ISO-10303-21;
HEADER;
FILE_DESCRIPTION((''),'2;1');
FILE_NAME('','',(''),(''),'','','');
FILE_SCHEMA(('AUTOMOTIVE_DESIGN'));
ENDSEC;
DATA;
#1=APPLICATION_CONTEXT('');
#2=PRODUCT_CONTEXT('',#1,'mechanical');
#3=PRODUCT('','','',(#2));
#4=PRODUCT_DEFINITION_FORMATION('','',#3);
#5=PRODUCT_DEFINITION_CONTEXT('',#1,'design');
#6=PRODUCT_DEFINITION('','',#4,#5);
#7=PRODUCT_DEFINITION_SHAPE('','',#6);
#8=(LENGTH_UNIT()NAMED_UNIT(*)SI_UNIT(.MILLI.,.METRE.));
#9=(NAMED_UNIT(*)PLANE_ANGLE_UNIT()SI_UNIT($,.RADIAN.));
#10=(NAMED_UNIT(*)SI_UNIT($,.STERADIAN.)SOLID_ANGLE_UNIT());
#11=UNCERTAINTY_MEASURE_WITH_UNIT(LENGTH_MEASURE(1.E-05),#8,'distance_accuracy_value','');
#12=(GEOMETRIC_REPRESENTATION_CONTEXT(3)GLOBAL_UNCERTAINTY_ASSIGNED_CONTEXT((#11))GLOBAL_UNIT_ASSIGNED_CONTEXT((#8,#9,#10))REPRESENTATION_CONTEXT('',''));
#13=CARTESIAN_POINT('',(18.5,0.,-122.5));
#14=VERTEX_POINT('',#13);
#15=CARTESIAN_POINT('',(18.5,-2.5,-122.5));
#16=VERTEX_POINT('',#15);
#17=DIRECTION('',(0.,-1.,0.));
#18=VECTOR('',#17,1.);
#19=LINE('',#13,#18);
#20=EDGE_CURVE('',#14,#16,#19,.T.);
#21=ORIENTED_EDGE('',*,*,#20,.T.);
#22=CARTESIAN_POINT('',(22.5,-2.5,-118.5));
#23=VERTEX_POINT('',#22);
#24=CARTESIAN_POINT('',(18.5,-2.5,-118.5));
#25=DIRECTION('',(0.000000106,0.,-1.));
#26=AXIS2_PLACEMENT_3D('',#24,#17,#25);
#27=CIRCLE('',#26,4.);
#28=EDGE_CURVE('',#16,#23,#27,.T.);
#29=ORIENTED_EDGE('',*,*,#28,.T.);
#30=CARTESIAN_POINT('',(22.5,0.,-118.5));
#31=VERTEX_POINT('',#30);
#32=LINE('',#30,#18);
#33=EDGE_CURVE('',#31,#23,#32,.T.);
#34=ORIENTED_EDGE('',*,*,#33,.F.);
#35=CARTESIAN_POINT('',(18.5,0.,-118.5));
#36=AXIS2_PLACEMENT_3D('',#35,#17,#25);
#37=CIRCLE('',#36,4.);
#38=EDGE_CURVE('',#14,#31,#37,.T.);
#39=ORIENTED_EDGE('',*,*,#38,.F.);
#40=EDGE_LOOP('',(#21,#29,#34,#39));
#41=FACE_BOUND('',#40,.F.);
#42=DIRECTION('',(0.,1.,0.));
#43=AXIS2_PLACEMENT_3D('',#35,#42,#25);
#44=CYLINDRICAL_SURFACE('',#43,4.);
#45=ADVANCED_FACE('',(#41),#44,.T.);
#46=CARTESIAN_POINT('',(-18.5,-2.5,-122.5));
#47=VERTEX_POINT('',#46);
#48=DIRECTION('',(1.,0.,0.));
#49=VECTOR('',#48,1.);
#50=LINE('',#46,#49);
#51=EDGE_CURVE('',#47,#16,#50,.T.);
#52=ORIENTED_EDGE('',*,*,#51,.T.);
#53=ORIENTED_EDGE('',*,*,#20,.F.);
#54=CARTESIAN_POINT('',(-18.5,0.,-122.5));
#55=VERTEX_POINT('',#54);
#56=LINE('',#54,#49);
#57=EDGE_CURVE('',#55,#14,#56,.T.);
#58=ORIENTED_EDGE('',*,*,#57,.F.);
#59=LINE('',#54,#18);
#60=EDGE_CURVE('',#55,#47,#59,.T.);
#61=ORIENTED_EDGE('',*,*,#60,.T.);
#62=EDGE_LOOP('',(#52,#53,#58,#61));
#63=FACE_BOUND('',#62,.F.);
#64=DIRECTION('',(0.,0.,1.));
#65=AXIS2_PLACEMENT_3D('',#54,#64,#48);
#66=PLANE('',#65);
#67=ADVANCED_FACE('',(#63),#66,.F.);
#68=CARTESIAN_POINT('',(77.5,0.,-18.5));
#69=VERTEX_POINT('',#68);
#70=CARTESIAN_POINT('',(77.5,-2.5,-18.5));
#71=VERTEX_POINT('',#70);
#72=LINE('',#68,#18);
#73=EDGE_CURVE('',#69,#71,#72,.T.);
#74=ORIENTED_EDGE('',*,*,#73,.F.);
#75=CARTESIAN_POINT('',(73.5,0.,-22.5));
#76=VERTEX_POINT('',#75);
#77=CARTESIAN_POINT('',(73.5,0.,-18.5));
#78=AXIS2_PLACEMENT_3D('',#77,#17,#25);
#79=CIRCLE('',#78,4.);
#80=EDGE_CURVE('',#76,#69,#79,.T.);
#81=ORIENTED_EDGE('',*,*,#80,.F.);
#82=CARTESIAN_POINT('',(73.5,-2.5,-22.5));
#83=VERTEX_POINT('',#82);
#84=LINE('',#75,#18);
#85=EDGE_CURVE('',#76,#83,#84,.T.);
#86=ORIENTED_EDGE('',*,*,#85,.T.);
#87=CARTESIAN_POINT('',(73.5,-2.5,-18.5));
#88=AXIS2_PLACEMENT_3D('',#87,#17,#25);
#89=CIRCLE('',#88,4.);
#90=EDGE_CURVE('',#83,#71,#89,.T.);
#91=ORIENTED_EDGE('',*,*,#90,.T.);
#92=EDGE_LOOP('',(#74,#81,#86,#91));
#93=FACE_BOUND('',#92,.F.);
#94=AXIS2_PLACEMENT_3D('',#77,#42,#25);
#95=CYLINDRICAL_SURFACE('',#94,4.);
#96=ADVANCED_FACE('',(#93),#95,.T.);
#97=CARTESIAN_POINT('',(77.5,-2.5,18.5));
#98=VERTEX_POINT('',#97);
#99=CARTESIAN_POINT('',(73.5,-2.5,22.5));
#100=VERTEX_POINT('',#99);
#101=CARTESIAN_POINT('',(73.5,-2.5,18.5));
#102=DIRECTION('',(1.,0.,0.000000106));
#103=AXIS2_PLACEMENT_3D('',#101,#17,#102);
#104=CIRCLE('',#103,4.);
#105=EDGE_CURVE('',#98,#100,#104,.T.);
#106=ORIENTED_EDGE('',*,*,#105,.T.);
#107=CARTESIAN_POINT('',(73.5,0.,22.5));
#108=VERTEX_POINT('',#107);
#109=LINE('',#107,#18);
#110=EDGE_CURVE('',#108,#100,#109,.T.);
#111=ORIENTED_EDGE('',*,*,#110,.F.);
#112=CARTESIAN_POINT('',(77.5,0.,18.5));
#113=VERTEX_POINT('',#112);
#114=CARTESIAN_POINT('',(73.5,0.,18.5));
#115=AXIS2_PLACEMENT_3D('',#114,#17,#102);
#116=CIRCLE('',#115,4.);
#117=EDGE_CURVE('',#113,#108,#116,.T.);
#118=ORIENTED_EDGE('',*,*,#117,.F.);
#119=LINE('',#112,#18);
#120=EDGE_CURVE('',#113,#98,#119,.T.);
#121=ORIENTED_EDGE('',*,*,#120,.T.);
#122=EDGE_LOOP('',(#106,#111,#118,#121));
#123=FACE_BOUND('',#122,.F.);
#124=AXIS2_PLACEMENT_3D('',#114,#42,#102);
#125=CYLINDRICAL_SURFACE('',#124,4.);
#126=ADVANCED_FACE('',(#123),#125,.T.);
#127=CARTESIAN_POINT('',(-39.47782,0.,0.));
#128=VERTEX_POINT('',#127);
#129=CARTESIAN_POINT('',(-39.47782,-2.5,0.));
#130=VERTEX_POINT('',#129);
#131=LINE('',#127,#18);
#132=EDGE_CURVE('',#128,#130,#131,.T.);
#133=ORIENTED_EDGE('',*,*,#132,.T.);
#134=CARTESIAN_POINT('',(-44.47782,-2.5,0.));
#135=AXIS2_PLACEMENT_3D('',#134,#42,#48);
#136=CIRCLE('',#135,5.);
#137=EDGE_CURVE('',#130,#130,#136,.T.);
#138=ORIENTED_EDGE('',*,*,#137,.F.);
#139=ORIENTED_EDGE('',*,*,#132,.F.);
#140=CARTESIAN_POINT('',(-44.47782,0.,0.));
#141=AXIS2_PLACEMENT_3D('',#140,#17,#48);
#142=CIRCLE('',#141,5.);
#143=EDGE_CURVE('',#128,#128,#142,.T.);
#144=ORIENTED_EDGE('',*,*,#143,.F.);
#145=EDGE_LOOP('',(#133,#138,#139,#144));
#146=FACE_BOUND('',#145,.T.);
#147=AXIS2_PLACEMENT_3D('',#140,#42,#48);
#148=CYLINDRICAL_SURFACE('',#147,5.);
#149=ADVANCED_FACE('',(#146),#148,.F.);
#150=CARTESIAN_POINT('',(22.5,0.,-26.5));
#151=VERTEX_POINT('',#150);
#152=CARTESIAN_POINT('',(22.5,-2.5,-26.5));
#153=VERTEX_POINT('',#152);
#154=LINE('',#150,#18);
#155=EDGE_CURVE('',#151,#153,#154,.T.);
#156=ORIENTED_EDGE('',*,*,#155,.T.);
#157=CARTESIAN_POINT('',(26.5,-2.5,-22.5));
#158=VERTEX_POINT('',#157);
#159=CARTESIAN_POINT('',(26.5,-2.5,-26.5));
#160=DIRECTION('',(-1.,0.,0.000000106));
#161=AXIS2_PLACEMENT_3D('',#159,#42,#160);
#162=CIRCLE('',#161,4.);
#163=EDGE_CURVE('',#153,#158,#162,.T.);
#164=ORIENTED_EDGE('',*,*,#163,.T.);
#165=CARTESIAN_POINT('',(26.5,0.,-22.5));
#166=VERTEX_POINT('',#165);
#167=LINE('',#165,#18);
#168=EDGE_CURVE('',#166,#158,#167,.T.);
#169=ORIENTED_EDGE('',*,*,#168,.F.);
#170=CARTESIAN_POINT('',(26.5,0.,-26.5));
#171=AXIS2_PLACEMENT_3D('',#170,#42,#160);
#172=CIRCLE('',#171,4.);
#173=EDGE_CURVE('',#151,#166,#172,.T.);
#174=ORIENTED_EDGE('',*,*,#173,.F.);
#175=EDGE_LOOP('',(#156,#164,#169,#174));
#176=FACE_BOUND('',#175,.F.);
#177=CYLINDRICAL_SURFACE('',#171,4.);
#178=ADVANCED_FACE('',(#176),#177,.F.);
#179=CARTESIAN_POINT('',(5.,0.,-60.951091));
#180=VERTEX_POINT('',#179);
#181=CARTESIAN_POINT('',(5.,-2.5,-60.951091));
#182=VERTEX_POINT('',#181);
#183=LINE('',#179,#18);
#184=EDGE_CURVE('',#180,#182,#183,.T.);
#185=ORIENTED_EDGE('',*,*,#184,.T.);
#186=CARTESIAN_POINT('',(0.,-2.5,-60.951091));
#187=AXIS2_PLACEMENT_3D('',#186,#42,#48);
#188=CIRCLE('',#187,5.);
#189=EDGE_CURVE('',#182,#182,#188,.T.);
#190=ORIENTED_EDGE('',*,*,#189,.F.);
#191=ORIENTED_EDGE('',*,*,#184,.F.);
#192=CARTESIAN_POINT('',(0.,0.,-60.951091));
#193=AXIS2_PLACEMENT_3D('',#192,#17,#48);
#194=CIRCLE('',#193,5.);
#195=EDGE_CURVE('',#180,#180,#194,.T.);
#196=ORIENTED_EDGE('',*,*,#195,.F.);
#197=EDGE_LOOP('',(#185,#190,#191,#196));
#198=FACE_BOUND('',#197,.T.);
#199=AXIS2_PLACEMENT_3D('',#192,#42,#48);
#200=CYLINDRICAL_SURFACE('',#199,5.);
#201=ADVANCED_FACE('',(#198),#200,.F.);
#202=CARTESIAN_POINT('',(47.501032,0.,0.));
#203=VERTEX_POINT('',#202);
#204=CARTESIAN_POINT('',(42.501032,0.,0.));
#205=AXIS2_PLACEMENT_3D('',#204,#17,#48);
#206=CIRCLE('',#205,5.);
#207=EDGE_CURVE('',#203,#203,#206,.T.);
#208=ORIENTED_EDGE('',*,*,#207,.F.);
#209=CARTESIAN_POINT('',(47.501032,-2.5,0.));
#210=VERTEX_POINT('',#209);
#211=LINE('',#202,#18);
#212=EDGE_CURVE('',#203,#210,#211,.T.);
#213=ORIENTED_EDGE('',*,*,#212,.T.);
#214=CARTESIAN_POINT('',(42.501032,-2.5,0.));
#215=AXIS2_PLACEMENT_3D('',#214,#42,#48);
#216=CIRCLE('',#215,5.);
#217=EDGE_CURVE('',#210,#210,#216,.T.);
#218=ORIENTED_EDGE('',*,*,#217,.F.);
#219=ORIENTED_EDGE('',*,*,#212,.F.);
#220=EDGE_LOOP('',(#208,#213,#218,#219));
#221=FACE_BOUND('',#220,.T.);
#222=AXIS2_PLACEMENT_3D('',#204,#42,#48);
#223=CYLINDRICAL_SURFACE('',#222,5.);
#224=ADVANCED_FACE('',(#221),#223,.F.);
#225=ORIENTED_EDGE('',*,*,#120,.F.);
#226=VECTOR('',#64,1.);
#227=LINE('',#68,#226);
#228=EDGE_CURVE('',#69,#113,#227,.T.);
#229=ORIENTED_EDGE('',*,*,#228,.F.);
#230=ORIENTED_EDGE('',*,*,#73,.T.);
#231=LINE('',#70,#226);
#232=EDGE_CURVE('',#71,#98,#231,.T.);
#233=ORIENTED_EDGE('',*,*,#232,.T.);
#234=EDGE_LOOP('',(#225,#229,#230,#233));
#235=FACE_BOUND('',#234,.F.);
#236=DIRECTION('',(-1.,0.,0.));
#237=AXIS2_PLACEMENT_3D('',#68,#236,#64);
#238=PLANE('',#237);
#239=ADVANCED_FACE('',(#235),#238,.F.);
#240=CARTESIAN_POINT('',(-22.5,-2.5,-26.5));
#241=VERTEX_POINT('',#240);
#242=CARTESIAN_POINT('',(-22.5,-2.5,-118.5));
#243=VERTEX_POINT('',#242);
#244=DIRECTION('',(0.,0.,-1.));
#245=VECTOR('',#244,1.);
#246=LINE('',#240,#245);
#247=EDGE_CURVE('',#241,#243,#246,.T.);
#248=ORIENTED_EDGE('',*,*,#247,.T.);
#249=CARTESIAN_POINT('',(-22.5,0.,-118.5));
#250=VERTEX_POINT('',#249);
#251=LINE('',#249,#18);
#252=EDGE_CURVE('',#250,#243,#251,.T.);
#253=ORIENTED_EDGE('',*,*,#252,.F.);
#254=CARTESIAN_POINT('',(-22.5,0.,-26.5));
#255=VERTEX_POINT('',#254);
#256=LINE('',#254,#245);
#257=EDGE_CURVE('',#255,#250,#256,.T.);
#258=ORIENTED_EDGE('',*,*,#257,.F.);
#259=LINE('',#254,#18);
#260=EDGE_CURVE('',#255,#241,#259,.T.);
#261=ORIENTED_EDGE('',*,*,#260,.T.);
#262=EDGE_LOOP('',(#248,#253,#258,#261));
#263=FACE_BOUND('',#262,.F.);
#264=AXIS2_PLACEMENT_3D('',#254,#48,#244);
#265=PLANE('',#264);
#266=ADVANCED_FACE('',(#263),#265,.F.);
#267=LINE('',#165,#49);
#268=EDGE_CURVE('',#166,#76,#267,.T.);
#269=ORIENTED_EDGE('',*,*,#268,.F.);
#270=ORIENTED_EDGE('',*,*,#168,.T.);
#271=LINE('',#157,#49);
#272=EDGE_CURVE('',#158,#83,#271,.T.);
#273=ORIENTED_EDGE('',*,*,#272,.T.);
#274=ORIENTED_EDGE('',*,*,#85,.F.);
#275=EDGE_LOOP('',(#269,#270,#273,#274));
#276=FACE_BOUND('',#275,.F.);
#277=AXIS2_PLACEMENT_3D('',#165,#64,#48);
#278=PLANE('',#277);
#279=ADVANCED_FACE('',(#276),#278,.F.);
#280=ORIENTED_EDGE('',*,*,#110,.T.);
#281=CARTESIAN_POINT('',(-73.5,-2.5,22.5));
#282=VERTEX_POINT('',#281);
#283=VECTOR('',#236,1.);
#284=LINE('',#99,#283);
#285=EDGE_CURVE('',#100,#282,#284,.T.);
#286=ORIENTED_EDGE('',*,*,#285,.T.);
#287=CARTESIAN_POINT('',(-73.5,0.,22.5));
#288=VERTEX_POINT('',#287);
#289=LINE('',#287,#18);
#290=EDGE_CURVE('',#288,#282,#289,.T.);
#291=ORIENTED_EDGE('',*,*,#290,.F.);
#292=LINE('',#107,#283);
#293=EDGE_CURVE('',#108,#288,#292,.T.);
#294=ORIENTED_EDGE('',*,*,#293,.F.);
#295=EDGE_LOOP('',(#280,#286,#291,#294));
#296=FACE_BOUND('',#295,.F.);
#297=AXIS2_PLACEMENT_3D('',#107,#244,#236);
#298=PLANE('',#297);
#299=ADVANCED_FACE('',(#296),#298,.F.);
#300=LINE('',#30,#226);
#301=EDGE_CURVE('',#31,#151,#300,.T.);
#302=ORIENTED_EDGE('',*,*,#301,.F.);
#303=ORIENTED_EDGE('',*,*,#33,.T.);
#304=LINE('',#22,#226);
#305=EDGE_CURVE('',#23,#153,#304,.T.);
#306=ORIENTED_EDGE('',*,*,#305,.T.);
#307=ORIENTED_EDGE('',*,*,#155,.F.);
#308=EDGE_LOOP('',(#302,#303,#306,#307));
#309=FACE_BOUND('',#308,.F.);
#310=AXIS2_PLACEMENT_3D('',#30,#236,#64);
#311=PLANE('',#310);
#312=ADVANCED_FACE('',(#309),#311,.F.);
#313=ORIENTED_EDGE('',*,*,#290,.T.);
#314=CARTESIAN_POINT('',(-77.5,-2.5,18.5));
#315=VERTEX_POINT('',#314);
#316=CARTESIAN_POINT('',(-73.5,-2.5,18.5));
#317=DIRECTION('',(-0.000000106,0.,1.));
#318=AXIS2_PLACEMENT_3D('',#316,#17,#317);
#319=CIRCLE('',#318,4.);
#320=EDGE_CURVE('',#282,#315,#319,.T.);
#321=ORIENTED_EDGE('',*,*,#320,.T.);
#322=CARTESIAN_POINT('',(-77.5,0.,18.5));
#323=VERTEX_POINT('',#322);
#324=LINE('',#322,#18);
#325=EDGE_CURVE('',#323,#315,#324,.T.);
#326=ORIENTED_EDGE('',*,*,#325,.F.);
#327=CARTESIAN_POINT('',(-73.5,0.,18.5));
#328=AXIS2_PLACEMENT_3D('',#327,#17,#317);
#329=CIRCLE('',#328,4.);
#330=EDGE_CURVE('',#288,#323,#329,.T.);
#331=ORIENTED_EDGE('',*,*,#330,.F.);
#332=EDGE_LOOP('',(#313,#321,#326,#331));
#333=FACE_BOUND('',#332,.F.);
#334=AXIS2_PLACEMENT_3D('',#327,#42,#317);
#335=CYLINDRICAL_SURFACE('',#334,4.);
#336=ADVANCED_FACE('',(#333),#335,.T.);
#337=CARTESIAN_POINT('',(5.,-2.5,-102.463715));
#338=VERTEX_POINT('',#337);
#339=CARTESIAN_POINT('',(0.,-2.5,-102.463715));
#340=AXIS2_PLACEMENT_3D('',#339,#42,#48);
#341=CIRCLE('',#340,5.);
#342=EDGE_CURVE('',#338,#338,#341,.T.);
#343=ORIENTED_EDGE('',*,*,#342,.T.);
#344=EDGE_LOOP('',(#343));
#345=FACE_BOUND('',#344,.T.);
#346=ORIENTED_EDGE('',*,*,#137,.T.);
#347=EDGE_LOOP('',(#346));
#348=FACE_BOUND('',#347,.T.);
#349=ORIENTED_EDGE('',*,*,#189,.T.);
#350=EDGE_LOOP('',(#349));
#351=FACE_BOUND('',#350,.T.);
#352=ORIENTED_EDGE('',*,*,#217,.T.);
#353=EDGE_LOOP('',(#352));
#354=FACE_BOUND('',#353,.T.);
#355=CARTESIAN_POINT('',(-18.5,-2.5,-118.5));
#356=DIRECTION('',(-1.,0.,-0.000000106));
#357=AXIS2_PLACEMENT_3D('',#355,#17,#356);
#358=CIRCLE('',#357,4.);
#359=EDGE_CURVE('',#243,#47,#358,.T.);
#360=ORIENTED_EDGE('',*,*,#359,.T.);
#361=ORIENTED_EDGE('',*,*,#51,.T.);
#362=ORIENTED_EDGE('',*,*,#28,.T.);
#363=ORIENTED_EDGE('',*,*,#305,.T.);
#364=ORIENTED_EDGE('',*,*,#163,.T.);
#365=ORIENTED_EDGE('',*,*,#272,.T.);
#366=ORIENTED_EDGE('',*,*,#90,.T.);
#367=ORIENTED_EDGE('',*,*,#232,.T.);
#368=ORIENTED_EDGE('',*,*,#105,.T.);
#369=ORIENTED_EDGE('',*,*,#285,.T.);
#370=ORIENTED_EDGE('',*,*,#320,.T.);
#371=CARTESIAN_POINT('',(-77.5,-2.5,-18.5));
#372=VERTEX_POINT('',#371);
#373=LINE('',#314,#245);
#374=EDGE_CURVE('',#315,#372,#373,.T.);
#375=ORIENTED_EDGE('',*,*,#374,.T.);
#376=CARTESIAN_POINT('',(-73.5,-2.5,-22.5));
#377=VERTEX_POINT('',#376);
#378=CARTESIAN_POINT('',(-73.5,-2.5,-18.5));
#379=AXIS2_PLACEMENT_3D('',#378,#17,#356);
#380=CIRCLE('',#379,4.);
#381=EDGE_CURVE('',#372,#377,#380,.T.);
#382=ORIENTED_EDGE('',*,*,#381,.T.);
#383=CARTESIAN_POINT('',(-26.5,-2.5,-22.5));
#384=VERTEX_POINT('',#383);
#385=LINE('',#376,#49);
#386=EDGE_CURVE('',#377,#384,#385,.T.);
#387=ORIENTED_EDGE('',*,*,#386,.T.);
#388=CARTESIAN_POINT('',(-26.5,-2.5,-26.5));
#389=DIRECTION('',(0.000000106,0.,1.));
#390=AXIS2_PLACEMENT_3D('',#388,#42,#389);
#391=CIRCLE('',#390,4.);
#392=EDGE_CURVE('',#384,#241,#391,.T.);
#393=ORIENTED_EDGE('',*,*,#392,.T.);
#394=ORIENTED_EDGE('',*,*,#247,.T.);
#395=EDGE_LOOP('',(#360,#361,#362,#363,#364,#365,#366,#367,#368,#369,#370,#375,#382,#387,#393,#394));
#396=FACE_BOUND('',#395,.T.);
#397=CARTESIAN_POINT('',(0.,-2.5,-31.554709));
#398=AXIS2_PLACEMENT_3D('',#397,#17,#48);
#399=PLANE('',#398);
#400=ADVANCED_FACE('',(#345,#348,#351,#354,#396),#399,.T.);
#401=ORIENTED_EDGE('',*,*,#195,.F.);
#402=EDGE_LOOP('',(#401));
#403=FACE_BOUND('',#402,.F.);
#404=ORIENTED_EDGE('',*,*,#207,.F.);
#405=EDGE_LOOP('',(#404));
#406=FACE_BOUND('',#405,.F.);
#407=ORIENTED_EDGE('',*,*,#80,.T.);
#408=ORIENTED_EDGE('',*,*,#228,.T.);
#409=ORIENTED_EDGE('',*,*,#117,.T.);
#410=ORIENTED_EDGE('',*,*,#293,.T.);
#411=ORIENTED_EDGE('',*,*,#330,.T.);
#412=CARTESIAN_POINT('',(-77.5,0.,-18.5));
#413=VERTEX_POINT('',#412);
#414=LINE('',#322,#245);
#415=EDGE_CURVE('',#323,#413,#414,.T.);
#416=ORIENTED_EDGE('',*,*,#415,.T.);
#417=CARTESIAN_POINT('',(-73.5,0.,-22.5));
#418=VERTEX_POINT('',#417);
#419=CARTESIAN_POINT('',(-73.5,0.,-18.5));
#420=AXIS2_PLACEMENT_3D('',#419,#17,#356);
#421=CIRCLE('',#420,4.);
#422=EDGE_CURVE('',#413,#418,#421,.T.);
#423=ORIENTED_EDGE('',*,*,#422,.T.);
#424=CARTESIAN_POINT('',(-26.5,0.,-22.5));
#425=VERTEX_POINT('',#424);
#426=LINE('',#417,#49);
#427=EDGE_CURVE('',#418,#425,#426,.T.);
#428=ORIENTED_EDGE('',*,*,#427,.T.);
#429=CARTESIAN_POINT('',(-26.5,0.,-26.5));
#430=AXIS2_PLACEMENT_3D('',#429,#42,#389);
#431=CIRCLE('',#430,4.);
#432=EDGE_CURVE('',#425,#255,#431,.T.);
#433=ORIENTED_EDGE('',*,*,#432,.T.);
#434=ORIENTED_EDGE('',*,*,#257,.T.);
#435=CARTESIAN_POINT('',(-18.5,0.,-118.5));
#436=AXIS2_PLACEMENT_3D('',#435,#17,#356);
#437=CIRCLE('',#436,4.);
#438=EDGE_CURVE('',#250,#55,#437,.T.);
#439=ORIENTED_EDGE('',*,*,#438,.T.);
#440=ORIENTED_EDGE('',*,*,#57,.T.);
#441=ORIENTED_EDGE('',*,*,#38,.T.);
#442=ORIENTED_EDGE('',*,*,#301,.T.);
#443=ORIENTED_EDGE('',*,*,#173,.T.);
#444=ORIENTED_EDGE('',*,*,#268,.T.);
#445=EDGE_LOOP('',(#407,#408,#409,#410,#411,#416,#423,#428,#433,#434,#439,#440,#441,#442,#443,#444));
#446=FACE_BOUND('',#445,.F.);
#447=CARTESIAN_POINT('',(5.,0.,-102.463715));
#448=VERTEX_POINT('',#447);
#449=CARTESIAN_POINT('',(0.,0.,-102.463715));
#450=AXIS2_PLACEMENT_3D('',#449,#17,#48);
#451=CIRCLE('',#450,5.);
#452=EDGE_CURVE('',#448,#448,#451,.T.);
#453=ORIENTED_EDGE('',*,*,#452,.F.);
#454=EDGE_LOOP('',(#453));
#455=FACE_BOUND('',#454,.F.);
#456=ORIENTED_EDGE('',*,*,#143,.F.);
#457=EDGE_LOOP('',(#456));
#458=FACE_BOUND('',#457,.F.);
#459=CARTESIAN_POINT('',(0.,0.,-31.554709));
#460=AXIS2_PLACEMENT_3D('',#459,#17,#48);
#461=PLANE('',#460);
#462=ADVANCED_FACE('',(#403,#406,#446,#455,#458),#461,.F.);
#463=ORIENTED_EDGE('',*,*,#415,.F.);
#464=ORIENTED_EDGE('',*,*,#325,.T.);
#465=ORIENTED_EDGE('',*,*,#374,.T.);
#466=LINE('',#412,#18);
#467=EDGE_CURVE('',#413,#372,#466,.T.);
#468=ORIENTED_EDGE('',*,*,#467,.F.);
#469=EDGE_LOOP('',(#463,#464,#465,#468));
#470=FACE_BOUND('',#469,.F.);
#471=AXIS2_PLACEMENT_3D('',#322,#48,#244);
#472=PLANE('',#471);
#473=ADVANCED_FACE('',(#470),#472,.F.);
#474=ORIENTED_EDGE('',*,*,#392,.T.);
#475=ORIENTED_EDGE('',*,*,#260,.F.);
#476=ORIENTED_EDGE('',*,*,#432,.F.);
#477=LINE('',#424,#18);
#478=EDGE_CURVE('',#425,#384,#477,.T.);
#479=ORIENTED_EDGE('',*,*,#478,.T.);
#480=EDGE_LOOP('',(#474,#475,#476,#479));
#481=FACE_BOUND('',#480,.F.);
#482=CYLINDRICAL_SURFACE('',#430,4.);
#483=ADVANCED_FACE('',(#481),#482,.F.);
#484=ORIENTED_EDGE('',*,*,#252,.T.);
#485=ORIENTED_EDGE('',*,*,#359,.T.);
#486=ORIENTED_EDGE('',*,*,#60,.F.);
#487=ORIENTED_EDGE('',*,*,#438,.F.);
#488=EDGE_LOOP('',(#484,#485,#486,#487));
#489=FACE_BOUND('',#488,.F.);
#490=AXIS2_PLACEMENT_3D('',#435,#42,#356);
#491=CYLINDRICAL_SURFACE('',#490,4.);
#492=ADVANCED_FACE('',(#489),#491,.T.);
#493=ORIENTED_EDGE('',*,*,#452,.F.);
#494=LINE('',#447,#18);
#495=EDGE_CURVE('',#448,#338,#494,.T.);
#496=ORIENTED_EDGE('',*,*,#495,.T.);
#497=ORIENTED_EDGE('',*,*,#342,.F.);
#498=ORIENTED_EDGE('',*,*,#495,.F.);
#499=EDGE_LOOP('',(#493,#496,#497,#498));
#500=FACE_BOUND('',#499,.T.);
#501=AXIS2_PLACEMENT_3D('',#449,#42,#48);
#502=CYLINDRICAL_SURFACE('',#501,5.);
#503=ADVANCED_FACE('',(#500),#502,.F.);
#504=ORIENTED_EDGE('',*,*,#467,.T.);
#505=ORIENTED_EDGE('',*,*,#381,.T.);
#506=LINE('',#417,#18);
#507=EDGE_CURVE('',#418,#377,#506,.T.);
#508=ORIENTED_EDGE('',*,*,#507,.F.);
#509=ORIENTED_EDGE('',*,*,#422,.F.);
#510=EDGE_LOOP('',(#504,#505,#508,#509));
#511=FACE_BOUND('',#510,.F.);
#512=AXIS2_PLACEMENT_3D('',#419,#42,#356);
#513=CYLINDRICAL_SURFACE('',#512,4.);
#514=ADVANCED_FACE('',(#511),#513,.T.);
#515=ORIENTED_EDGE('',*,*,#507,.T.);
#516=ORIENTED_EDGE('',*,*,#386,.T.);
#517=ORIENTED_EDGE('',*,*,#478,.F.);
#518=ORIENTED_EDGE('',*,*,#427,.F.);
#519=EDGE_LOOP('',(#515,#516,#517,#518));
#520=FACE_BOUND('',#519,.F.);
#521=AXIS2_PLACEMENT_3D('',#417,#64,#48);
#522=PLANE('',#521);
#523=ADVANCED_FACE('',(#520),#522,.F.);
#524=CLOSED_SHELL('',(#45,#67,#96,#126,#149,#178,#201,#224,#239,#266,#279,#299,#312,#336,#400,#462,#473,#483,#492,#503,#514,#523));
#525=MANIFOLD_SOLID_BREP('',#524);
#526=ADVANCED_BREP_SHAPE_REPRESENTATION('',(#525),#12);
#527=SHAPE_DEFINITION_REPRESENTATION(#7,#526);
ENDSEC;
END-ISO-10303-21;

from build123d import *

# Parameters (mm, degrees)
F1_DEPTH = 2.5
F2_R     = 5
F3_DEPTH = 2.501


with BuildPart() as f1:
    # F0 (on Front) → F1 (new body)
    with BuildSketch(Plane.XZ):
        with BuildLine():
            ThreePointArc((77.5, 18.5), (76.328427, 21.328427), (73.5, 22.5))
            Line((73.5, 22.5), (-73.5, 22.5))
            ThreePointArc((-73.5, 22.5), (-76.328427, 21.328427), (-77.5, 18.5))
            Line((-77.5, 18.5), (-77.5, -18.5))
            ThreePointArc((-77.5, -18.5), (-76.328427, -21.328427), (-73.5, -22.5))
            Line((-73.5, -22.5), (-26.5, -22.5))
            ThreePointArc((-26.5, -22.5), (-23.671573, -23.671573), (-22.5, -26.5))
            Line((-22.5, -26.5), (-22.5, -118.5))
            ThreePointArc((-22.5, -118.5), (-21.328427, -121.328427), (-18.5, -122.5))
            Line((-18.5, -122.5), (18.5, -122.5))
            ThreePointArc((18.5, -122.5), (21.328427, -121.328427), (22.5, -118.5))
            Line((22.5, -118.5), (22.5, -26.5))
            ThreePointArc((22.5, -26.5), (23.671573, -23.671573), (26.5, -22.5))
            Line((26.5, -22.5), (73.5, -22.5))
            ThreePointArc((73.5, -22.5), (76.328427, -21.328427), (77.5, -18.5))
            Line((77.5, -18.5), (77.5, 18.5))
        make_face()
    extrude(amount=F1_DEPTH)

    # F2 (on Front) → F3 (cut, through all)
    with BuildSketch(Plane.XZ):
        with Locations((-44.47782, 0)):
            Circle(F2_R)
        with Locations((42.501032, 0)):
            Circle(F2_R)
        with Locations((0, -60.951091)):
            Circle(F2_R)
        with Locations((0, -102.463715)):
            Circle(F2_R)
    extrude(amount=F3_DEPTH, mode=Mode.SUBTRACT)


solid = f1.part
